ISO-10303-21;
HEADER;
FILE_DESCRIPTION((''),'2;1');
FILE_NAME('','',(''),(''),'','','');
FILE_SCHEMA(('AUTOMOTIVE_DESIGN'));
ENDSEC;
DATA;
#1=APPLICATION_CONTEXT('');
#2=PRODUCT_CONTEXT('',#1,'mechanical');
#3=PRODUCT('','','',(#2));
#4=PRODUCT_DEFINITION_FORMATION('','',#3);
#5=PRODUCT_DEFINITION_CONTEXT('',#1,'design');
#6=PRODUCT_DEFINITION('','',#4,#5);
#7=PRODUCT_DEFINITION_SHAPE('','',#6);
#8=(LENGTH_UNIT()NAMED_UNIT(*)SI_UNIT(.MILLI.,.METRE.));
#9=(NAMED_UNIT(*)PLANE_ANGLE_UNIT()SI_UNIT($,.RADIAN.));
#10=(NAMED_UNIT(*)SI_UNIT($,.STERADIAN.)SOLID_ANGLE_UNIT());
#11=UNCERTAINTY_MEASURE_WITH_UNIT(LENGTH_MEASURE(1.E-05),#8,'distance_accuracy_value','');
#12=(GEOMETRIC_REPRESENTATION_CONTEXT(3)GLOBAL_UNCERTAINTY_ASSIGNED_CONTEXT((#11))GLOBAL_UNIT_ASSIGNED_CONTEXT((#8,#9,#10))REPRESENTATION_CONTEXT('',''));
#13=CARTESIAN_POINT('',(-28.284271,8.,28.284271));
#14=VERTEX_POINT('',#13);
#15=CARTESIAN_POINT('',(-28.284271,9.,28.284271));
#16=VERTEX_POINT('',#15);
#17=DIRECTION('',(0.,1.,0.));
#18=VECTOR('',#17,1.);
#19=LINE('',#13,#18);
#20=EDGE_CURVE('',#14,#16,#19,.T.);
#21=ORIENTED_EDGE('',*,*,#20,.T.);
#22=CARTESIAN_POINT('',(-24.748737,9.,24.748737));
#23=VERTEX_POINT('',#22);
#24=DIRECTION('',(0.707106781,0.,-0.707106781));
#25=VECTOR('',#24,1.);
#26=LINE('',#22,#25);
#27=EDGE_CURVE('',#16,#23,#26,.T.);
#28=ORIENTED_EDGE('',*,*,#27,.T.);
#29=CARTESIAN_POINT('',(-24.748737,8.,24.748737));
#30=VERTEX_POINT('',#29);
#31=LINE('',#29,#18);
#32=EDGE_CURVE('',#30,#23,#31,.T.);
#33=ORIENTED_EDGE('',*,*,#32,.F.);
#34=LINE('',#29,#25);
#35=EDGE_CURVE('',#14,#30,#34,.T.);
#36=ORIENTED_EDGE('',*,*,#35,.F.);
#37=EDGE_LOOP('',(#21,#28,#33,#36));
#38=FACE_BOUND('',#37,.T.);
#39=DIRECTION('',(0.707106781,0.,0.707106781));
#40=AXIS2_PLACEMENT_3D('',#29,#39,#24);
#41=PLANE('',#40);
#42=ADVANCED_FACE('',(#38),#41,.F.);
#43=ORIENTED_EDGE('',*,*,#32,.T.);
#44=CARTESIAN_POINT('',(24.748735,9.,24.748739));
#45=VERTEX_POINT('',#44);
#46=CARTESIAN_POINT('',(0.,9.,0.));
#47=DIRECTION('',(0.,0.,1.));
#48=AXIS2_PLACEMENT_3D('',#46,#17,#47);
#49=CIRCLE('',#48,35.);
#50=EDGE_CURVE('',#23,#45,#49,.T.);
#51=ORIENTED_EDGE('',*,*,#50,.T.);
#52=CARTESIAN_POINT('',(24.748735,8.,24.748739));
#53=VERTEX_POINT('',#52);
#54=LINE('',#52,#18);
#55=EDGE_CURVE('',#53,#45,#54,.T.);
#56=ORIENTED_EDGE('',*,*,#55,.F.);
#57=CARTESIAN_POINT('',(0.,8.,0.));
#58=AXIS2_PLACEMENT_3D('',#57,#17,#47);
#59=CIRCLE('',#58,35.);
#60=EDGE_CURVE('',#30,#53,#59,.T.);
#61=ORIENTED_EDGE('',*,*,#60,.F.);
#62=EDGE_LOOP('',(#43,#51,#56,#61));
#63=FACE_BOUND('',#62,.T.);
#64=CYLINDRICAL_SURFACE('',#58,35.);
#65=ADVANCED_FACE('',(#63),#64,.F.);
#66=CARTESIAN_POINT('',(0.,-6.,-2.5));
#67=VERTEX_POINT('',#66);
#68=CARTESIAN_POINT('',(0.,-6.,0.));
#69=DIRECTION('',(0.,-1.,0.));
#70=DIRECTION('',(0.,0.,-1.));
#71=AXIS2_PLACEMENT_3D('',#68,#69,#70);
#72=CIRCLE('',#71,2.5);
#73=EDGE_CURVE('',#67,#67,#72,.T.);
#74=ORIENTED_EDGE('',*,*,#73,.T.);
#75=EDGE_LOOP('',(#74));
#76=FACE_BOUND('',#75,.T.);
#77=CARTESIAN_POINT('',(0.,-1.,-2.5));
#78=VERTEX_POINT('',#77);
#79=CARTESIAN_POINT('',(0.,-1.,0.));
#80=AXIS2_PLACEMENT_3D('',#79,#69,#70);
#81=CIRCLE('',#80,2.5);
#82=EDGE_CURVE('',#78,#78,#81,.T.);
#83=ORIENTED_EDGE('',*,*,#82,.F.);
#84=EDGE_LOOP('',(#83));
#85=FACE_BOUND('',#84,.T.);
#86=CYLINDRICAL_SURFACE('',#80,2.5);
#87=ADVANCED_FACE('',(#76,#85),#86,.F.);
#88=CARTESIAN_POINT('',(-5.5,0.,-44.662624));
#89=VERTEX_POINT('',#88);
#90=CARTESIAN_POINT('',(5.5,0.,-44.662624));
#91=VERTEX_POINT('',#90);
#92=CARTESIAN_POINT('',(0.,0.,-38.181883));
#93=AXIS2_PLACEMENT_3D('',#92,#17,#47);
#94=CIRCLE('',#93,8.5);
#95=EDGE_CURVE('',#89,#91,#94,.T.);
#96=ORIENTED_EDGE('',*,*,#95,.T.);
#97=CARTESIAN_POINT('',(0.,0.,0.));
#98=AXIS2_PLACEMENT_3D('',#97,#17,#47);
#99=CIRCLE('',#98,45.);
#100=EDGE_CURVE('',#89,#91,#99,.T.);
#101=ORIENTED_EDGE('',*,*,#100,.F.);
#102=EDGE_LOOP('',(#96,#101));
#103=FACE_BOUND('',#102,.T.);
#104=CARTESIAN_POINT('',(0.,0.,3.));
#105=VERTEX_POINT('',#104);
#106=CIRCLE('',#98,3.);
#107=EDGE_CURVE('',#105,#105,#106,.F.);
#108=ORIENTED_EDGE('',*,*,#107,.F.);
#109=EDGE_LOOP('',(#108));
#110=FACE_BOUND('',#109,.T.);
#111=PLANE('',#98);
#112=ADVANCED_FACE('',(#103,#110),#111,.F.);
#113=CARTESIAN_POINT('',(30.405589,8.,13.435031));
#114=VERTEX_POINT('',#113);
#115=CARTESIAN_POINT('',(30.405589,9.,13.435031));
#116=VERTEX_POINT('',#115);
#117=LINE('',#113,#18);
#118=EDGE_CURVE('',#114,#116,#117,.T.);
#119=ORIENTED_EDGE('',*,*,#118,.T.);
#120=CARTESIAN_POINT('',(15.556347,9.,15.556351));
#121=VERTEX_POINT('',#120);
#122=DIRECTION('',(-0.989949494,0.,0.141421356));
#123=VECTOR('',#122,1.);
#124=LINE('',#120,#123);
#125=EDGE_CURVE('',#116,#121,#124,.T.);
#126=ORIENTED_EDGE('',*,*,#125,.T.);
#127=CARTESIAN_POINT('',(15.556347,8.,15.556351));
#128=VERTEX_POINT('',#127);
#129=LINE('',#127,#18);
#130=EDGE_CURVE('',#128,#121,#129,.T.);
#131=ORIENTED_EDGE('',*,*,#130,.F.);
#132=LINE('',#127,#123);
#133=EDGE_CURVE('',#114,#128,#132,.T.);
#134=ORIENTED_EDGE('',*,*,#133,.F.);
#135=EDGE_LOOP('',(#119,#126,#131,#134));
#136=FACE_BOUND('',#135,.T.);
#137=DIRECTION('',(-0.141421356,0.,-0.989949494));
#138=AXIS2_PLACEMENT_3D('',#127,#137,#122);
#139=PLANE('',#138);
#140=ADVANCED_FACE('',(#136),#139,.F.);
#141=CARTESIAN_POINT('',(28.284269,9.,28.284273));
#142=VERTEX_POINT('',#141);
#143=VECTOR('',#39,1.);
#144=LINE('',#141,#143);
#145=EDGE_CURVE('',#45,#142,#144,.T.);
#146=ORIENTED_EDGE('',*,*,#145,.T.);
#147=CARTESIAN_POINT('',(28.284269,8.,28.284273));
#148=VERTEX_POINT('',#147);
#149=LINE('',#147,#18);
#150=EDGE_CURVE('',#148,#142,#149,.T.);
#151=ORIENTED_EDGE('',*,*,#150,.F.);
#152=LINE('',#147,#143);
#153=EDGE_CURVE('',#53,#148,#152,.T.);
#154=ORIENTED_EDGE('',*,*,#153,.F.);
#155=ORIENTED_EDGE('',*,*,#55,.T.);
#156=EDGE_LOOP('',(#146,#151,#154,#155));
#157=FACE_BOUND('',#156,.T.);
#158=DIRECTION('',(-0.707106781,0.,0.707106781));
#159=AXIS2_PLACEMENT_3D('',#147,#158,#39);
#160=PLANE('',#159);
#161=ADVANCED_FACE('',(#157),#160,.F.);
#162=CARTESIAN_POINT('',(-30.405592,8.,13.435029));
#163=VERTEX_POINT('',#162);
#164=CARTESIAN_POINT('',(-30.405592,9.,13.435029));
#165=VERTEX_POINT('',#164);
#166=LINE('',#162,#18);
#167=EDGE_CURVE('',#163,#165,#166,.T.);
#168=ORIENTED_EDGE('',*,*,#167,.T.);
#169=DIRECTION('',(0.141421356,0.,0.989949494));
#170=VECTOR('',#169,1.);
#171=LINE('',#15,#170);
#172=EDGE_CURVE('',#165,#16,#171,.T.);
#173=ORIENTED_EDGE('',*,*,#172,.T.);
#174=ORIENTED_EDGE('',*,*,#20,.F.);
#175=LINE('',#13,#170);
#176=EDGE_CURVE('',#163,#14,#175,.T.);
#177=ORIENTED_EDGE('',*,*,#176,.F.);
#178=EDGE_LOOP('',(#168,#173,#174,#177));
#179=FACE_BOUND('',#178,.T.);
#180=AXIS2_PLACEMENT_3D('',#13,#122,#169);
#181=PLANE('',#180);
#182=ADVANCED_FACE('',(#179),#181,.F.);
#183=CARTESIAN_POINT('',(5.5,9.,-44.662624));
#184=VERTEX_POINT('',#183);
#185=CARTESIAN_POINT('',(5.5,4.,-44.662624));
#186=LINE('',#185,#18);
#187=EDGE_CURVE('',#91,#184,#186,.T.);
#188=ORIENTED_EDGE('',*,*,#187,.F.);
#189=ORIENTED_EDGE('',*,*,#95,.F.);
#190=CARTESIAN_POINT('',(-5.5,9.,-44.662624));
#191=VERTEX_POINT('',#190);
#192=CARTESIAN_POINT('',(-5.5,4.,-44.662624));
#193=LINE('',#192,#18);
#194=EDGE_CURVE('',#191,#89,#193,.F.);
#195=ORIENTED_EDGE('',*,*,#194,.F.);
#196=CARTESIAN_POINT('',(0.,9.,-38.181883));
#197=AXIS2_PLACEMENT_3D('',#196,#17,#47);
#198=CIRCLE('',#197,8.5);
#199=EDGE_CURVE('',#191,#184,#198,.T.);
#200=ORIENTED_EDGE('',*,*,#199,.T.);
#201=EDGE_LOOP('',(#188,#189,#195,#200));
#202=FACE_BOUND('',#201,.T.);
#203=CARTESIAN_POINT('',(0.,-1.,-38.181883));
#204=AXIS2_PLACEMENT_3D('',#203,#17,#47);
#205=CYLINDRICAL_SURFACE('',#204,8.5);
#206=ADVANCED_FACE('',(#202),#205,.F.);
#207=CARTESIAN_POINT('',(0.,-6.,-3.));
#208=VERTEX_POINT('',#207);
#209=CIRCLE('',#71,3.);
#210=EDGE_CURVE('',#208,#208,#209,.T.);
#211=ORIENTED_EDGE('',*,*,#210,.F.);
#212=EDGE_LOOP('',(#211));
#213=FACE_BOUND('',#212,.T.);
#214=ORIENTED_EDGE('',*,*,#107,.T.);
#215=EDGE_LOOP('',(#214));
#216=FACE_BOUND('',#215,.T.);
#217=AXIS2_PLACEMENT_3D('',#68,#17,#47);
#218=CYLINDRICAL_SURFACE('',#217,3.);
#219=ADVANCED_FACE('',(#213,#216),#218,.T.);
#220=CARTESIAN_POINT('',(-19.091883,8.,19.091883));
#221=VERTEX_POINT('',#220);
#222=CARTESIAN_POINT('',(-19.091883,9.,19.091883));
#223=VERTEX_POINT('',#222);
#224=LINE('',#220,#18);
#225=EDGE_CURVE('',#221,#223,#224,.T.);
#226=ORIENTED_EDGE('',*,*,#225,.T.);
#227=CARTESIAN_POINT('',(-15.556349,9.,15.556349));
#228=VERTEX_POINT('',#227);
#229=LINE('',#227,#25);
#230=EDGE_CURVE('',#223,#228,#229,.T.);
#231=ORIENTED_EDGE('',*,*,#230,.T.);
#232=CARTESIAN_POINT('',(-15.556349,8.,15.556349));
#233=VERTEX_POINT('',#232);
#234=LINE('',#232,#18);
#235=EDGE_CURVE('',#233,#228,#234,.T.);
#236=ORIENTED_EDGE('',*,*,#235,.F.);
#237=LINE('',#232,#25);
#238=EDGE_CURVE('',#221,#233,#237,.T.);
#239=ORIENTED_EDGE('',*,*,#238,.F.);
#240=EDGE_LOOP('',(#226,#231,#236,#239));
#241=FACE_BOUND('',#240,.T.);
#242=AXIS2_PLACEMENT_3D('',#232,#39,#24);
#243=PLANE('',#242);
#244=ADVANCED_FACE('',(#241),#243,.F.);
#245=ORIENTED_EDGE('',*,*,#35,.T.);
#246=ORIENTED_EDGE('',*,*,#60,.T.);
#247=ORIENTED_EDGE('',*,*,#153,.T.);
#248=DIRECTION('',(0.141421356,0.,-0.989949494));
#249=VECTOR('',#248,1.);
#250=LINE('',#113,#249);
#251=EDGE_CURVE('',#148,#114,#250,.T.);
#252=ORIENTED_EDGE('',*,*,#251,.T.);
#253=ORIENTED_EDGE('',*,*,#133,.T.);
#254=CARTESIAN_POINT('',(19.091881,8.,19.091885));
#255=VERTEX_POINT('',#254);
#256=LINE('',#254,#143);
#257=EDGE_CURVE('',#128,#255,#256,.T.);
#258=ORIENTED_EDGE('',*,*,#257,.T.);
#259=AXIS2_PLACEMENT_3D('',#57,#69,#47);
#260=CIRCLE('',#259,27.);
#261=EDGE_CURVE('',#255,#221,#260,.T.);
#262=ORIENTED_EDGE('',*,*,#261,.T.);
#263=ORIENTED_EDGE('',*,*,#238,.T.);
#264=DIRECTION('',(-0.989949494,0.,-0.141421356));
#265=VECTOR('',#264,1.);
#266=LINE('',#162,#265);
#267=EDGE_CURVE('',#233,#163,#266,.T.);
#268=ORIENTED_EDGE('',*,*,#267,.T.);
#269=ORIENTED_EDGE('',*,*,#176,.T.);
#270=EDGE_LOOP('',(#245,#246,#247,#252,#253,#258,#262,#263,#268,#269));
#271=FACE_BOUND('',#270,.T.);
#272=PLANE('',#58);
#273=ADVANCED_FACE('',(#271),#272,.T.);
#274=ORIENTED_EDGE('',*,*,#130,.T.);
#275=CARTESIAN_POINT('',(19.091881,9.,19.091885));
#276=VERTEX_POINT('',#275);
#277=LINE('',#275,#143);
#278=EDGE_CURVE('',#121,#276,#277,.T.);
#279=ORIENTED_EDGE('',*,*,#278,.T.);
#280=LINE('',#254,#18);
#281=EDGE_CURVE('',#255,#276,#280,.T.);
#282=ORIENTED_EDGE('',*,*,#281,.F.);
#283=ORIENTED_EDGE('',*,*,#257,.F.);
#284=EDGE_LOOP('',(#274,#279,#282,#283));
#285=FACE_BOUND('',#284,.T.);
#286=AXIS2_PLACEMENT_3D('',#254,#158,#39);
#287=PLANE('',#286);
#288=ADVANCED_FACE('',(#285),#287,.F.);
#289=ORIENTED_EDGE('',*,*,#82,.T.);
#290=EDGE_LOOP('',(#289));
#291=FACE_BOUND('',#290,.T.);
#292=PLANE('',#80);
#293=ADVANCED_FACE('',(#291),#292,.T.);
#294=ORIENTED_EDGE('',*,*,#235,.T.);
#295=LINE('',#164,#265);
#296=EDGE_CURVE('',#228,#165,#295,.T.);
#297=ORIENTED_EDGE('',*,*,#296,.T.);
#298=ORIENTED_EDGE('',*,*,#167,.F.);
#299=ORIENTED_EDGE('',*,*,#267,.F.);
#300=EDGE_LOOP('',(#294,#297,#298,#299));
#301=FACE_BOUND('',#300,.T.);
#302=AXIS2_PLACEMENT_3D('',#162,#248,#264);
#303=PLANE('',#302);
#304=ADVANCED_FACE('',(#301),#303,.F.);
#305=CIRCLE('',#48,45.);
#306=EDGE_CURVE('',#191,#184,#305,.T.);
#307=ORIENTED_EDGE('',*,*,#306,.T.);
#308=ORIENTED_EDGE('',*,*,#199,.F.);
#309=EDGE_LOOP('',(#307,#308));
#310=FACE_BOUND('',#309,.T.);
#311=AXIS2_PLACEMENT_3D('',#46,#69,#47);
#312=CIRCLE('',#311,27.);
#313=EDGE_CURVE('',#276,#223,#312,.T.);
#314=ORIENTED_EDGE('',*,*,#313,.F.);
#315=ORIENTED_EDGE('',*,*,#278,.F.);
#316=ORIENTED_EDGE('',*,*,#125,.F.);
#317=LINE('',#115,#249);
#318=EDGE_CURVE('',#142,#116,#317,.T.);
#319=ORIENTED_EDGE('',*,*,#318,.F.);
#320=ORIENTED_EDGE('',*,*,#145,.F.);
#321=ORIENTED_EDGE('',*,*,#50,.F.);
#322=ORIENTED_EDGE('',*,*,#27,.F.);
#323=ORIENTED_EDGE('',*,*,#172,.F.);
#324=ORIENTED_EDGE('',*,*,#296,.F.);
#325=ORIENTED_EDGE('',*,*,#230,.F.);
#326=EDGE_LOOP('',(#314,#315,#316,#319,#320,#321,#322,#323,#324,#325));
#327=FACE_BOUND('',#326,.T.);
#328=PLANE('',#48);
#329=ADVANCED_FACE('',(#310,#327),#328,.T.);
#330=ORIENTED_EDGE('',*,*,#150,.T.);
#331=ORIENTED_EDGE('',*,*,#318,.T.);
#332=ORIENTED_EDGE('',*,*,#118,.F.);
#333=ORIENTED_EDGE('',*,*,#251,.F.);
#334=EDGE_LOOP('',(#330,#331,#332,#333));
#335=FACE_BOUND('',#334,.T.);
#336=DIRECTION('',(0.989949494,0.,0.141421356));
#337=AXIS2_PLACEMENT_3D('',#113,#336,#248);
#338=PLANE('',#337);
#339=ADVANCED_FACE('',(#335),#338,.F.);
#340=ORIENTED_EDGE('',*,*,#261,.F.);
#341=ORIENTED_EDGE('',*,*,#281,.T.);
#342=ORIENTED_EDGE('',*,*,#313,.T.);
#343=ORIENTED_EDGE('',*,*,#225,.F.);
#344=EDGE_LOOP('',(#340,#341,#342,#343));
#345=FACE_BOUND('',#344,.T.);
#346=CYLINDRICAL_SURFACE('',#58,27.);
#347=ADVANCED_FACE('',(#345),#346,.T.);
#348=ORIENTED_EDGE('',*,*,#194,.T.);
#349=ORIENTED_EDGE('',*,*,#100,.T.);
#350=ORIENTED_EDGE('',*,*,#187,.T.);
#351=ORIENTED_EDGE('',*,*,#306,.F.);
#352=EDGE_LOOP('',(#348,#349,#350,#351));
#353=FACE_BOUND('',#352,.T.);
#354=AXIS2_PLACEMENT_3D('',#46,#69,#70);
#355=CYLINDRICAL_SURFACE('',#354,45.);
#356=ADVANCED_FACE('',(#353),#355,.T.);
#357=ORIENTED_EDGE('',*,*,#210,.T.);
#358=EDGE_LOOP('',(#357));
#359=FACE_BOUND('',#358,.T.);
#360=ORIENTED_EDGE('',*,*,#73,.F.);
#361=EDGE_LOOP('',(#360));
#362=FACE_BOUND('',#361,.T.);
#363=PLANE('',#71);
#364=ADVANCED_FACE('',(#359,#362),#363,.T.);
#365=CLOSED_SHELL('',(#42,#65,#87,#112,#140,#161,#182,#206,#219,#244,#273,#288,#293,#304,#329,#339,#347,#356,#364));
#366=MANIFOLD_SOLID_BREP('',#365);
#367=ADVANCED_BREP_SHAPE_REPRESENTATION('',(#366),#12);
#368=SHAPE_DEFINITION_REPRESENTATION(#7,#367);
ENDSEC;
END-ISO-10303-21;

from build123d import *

# Parameters (mm, degrees)
SKETCH1_R           = 45
BOSS_EXTRUDE1_DEPTH = 9
SKETCH3_R           = 8.5
CUT_EXTRUDE2_DEPTH  = 10
SKETCH4_R           = 3
BOSS_EXTRUDE2_DEPTH = 6
SKETCH5_R           = 2.5
CUT_EXTRUDE3_DEPTH  = 5
CUT_EXTRUDE4_DEPTH  = 1


with BuildPart() as part:
    # Sketch1 → Boss-Extrude1 (new body)
    with BuildSketch(Plane(origin=(0, 0, 0), x_dir=(1, 0, 0), z_dir=(0, 1, 0))):
        with Locations(Location((0, 0, 0), (0, 0, 270))):
            Circle(SKETCH1_R)
    extrude(amount=BOSS_EXTRUDE1_DEPTH)

    # Sketch3 → Cut-Extrude2 (cut)
    with BuildSketch(Plane(origin=(0, 9, 0), x_dir=(1, 0, 0), z_dir=(0, 1, 0))):
        with Locations((0, 38.181883497)):
            Circle(SKETCH3_R)
    extrude(amount=-CUT_EXTRUDE2_DEPTH, mode=Mode.SUBTRACT)

    # Sketch4 → Boss-Extrude2 (add)
    with BuildSketch(Plane.XZ):
        with Locations(Location((0, 0, 0), (0, 0, 90))):
            Circle(SKETCH4_R)
    extrude(amount=BOSS_EXTRUDE2_DEPTH)

    # Sketch5 → Cut-Extrude3 (cut)
    with BuildSketch(Plane.XZ.offset(6)):
        with Locations(Location((0, 0, 0), (0, 0, 270))):
            Circle(SKETCH5_R)
    extrude(amount=-CUT_EXTRUDE3_DEPTH, mode=Mode.SUBTRACT)

    # Sketch6 → Cut-Extrude4 (cut)
    with BuildSketch(Plane(origin=(0, 9, 0), x_dir=(1, 0, 0), z_dir=(0, 1, 0))):
        with BuildLine():
            Line((-24.748737342, -24.748737342), (-28.284271247, -28.284271247))
            Line((-28.284271247, -28.284271247), (-30.405591591, -13.435028843))
            Line((-30.405591591, -13.435028843), (-15.556349186, -15.556349186))
            Line((-15.556349186, -15.556349186), (-19.091883092, -19.091883092))
            ThreePointArc((-19.091883092, -19.091883092), (-1.515e-06, -27), (19.09188095, -19.091885234))
            Line((19.09188095, -19.091885234), (15.556347044, -15.556351328))
            Line((15.556347044, -15.556351328), (30.405589449, -13.435030985))
            Line((30.405589449, -13.435030985), (28.284269105, -28.284273389))
            Line((28.284269105, -28.284273389), (24.7487352, -24.748739484))
            ThreePointArc((24.7487352, -24.748739484), (-1.515e-06, -35), (-24.748737342, -24.748737342))
        make_face()
    extrude(amount=-CUT_EXTRUDE4_DEPTH, mode=Mode.SUBTRACT)


solid = part.part
